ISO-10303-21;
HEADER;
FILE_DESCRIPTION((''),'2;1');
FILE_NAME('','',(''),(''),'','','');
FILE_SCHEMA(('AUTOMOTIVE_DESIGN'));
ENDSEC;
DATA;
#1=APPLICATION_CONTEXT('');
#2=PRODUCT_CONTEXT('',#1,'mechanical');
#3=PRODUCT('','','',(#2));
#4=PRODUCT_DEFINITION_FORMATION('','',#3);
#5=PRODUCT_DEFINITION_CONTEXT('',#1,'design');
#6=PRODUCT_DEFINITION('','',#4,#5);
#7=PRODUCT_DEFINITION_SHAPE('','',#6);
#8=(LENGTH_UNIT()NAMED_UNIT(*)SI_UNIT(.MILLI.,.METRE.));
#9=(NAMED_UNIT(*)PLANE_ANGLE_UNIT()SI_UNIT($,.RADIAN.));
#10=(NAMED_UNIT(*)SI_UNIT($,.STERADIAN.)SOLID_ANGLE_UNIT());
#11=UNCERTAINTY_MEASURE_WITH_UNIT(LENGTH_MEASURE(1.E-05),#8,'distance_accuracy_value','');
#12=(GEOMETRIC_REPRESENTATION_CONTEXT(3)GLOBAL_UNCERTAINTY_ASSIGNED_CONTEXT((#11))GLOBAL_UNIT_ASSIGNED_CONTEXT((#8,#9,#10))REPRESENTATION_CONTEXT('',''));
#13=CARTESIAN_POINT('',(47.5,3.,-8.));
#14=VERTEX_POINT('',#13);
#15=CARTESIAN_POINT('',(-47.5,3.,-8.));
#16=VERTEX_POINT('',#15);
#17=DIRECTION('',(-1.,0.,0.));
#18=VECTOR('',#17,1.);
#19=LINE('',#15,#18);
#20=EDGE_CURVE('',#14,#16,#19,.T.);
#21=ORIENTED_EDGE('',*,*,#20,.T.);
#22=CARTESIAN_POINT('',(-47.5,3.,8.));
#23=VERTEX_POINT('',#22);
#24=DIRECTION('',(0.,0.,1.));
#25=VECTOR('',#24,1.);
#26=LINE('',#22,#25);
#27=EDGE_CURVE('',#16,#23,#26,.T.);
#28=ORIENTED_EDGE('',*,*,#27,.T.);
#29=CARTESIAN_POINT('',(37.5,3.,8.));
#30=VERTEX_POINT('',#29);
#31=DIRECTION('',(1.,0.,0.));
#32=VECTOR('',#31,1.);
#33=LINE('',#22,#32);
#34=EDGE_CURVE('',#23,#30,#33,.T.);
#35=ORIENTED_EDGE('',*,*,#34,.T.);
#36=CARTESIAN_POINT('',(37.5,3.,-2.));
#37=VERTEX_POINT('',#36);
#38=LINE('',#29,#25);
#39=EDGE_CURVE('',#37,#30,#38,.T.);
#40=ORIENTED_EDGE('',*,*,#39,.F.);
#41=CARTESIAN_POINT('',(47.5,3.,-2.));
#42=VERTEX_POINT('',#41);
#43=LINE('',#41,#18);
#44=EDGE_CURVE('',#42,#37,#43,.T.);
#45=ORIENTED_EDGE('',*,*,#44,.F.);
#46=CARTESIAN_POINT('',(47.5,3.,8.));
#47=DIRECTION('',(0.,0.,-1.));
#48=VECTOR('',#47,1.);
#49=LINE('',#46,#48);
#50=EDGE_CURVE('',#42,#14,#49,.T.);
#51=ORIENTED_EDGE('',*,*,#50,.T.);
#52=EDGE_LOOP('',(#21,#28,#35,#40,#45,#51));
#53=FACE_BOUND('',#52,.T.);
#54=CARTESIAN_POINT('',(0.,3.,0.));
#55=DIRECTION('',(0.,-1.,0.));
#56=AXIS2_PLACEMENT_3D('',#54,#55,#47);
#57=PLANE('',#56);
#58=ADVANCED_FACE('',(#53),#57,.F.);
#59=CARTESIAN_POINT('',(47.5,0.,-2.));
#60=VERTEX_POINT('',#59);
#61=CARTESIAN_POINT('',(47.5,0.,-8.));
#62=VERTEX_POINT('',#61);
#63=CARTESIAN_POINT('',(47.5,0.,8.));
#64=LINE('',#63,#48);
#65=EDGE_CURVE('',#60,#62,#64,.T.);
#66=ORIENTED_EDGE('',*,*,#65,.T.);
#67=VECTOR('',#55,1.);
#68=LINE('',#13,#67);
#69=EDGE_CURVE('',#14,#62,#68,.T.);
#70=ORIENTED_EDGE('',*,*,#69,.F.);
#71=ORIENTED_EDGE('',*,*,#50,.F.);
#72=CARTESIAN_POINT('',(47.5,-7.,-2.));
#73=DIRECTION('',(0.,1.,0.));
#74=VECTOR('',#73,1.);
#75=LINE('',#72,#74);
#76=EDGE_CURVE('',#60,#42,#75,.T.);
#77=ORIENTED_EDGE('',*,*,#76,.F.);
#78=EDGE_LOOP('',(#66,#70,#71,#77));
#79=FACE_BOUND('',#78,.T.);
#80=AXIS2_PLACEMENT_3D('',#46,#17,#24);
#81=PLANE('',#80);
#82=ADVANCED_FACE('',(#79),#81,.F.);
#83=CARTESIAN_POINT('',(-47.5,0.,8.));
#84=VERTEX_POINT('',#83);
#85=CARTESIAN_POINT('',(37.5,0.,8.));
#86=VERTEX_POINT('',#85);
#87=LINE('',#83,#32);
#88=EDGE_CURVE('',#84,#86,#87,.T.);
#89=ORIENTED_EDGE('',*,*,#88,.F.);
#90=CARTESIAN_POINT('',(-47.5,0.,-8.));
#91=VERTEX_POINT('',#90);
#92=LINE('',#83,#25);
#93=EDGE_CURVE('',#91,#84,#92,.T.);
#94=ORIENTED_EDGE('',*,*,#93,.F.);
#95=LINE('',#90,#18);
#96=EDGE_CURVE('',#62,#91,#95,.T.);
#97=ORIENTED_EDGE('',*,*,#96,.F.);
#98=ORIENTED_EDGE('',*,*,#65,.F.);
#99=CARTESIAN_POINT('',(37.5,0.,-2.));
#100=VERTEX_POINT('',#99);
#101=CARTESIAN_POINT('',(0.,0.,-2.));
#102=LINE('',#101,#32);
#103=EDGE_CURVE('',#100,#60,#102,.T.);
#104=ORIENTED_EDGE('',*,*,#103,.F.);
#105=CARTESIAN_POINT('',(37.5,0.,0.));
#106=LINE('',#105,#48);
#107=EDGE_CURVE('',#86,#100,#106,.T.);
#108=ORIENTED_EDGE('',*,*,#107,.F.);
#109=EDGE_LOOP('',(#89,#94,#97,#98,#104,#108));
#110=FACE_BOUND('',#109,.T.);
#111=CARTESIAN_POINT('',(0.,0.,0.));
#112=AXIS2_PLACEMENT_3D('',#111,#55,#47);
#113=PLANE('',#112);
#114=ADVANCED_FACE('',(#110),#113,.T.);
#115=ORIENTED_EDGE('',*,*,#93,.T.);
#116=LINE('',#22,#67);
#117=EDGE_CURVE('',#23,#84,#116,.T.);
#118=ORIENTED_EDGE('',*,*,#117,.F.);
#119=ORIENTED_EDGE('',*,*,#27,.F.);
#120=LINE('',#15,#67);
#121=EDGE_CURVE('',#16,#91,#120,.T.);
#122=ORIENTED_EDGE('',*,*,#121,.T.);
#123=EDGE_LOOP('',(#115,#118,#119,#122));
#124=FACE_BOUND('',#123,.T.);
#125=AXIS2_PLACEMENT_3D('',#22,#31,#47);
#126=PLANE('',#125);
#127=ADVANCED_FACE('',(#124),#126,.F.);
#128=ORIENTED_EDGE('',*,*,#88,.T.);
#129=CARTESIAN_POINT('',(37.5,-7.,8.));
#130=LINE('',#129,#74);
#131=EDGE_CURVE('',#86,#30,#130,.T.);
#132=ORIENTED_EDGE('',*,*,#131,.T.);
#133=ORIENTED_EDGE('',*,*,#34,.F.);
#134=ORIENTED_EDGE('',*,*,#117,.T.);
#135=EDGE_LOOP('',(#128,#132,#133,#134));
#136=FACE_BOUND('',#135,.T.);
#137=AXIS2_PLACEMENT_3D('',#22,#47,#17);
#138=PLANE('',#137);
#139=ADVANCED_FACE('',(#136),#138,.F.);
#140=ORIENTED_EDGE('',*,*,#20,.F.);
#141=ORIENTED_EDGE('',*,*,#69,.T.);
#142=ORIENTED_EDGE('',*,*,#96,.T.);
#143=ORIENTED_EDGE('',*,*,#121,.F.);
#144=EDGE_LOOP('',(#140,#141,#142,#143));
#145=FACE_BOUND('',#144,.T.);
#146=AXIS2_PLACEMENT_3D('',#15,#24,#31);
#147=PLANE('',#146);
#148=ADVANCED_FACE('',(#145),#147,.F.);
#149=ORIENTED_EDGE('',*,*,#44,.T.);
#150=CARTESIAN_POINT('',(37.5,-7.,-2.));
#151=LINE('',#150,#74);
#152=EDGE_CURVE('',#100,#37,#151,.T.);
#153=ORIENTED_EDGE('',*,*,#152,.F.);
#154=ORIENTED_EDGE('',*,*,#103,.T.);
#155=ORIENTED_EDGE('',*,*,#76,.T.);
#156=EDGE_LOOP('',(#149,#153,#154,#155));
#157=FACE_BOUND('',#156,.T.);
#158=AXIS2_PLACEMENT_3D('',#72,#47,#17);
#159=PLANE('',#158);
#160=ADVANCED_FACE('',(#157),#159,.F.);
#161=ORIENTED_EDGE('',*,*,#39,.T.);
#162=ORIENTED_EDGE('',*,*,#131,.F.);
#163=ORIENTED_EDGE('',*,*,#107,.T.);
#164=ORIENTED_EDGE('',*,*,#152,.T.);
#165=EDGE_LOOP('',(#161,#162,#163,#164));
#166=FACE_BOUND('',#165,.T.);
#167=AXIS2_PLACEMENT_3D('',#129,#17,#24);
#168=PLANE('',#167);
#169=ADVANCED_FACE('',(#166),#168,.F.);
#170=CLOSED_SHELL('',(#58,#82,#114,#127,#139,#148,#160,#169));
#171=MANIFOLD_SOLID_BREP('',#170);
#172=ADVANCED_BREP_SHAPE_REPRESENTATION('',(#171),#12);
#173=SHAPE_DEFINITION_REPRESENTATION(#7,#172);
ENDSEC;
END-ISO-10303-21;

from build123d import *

# Parameters (mm, degrees)
CROQUIS1_W              = 95
CROQUIS1_H              = 16
SALIENTE_EXTRUIR1_DEPTH = 3
CROQUIS2_W              = 10
CROQUIS2_H              = 10
CORTAR_EXTRUIR1_DEPTH   = 10


with BuildPart() as part:
    # Croquis1 → Saliente-Extruir1 (new body)
    with BuildSketch(Plane(origin=(0, 0, 0), x_dir=(1, 0, 0), z_dir=(0, 1, 0))):
        Rectangle(CROQUIS1_W, CROQUIS1_H)
    extrude(amount=SALIENTE_EXTRUIR1_DEPTH)

    # Croquis2 → Cortar-Extruir1 (cut)
    with BuildSketch(Plane(origin=(0, 3, 0), x_dir=(1, 0, 0), z_dir=(0, 1, 0))):
        with Locations((42.5, -3)):
            Rectangle(CROQUIS2_W, CROQUIS2_H)
    extrude(amount=-CORTAR_EXTRUIR1_DEPTH, mode=Mode.SUBTRACT)


solid = part.part
